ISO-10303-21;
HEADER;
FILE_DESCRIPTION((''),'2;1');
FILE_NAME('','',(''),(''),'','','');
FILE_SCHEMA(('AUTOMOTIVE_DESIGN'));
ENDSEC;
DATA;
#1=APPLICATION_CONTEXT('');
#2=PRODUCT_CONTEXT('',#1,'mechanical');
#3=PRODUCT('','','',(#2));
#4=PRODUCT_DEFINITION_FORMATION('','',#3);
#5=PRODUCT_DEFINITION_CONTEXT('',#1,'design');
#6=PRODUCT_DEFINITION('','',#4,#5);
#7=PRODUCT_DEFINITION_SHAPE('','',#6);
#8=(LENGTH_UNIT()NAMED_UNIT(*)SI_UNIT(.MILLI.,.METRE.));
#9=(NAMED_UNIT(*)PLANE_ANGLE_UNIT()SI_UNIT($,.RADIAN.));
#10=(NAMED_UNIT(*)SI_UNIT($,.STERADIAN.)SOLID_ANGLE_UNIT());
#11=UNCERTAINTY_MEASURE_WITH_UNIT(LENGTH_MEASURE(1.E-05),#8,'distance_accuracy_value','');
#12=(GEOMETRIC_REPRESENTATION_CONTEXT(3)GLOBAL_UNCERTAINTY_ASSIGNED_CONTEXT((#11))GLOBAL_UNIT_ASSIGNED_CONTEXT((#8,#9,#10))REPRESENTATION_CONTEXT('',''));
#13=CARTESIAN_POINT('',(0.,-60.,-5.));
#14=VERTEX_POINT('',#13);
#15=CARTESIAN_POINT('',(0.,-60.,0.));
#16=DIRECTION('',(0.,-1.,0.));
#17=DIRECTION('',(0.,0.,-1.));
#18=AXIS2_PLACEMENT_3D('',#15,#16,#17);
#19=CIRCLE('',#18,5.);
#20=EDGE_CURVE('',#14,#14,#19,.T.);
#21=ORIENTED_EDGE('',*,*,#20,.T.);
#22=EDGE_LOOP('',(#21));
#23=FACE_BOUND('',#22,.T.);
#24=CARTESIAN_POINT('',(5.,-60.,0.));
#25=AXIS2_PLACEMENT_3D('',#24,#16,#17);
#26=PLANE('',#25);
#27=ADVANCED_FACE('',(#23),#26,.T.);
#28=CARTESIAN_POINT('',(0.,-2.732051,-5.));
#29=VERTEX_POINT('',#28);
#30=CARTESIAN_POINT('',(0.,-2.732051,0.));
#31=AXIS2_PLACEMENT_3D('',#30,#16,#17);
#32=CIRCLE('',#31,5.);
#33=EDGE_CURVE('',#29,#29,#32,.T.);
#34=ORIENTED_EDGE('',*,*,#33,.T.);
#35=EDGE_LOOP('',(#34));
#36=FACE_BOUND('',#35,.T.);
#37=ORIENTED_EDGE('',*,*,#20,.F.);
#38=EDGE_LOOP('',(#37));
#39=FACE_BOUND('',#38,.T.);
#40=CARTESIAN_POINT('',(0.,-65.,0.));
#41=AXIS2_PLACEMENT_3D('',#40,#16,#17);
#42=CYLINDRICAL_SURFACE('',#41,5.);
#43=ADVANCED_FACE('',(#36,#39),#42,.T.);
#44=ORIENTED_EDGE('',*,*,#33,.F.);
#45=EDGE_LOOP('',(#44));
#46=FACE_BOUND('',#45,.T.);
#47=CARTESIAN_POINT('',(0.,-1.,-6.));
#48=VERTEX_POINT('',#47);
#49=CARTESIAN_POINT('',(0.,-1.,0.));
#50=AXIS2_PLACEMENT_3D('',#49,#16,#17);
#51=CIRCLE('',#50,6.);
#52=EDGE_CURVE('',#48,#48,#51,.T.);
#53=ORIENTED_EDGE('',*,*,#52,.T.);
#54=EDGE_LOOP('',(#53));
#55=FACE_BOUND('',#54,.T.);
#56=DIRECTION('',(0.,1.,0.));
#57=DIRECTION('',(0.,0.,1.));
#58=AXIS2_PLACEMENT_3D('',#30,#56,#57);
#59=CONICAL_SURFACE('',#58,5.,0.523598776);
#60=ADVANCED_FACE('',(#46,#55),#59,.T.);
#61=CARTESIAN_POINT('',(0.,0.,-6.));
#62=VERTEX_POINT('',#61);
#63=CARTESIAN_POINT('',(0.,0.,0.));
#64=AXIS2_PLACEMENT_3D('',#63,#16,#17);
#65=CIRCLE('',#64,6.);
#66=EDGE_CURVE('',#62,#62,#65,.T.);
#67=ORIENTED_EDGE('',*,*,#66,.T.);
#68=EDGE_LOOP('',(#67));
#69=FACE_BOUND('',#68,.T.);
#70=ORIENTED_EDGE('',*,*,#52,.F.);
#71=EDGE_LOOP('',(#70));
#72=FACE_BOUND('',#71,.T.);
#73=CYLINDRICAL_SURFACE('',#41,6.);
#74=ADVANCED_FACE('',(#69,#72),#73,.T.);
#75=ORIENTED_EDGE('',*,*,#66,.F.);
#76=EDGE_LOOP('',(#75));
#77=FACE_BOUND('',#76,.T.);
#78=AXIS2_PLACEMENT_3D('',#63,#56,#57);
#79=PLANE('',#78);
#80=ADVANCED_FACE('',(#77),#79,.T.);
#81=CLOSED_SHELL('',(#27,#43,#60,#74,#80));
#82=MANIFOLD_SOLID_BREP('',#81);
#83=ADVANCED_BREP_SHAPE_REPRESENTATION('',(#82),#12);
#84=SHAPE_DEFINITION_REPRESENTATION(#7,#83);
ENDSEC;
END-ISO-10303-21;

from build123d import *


with BuildPart() as part:
    # Sketch1 → Revolve1 (revolve)
    with BuildSketch(Plane.XY, mode=Mode.PRIVATE) as revolve1_sk:
        Polygon((0, 0), (6, 0), (6, -1), (5, -2.732050808), (5, -60), (0, -60), align=None)
    revolve(revolve1_sk.sketch.rotate(Axis((0, -65, 0), (0, 1, 0)), 90), axis=Axis((0, -65, 0), (0, 1, 0)))


solid = part.part
